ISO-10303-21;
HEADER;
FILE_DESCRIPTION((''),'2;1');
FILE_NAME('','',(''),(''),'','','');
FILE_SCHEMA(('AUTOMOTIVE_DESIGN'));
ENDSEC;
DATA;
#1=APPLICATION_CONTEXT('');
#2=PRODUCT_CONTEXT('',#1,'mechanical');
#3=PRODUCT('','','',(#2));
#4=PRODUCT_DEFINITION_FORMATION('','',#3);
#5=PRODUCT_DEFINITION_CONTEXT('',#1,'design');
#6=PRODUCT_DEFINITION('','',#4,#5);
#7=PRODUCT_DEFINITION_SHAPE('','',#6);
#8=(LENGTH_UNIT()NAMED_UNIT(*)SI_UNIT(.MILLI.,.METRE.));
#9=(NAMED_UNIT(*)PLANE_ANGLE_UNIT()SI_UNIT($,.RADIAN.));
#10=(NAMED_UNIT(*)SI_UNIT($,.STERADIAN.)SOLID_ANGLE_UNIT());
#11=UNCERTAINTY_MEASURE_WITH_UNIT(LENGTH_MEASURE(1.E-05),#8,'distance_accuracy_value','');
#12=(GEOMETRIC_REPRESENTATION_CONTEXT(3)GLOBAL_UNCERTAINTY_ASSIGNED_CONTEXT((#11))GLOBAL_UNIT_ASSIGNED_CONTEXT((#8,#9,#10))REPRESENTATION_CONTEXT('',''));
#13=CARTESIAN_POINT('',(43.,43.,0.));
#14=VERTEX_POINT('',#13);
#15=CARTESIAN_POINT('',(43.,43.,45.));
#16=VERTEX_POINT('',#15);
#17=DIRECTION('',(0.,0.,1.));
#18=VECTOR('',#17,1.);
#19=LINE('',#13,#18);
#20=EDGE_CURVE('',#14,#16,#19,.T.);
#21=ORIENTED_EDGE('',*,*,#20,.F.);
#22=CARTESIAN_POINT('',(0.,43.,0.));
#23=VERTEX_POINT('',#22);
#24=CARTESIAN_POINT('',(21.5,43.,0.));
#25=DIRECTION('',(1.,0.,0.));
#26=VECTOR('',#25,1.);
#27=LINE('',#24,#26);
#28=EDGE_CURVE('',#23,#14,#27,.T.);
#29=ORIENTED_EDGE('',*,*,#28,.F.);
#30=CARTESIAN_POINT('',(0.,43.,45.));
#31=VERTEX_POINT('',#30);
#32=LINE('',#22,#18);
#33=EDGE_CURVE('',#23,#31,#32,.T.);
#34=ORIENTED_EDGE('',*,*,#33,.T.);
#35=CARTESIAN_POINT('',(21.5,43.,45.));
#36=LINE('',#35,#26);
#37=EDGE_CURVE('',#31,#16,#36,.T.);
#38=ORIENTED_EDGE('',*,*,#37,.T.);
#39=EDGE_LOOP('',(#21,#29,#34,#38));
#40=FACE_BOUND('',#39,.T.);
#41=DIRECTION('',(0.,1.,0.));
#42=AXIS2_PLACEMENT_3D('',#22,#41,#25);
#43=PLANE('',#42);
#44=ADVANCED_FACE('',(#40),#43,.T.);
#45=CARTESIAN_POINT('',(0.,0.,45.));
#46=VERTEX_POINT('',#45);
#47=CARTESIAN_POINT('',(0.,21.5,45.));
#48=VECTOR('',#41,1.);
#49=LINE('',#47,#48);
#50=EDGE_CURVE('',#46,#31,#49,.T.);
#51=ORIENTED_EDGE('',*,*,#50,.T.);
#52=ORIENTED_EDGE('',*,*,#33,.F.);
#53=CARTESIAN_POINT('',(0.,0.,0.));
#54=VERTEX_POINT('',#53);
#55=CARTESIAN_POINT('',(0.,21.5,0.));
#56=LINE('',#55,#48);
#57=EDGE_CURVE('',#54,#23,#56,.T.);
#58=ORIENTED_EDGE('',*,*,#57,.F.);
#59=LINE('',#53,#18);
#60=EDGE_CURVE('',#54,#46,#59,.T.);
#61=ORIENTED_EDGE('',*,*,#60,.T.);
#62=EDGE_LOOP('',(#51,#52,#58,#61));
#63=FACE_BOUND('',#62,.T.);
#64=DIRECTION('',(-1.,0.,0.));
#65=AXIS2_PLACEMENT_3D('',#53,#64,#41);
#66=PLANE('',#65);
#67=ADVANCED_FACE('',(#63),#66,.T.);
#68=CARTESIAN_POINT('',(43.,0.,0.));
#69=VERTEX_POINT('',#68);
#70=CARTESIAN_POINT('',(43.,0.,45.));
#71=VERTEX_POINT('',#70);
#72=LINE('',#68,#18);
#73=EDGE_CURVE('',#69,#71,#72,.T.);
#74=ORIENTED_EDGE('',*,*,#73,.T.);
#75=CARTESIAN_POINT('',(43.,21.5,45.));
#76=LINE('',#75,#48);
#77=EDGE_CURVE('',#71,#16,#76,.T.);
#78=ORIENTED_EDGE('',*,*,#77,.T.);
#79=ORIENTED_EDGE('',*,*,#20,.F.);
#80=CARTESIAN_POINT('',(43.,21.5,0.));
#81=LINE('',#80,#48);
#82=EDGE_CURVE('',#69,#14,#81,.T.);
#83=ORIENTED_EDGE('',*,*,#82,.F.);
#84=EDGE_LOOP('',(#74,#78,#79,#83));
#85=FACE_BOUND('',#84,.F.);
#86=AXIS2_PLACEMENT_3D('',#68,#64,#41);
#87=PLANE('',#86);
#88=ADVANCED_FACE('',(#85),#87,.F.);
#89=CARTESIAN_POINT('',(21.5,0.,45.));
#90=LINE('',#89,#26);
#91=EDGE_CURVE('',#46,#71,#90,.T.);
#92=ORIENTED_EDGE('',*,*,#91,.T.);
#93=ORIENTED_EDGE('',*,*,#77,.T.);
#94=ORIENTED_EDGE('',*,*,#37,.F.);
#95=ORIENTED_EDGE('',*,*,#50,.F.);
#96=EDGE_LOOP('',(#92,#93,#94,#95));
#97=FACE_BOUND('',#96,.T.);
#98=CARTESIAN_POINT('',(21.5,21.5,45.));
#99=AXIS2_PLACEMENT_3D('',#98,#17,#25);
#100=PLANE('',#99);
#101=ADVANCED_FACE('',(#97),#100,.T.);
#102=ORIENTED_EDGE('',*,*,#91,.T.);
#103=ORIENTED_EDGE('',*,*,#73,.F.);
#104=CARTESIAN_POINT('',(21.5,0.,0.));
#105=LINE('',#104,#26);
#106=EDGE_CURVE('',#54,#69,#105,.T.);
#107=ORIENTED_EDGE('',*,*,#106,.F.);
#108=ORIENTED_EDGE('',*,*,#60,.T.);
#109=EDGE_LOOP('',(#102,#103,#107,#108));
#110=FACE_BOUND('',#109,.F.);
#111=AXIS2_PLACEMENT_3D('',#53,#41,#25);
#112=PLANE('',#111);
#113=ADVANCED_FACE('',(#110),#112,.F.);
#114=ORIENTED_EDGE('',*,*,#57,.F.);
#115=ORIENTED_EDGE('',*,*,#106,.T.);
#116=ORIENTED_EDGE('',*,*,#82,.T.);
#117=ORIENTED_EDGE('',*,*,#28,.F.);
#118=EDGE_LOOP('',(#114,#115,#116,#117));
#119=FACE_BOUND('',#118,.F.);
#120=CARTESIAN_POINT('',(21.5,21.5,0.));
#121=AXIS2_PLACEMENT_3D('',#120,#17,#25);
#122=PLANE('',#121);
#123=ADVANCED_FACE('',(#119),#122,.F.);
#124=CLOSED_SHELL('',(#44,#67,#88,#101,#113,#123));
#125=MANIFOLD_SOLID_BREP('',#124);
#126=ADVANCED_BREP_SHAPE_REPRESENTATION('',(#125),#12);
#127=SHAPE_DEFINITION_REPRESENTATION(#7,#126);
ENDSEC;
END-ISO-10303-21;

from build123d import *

# Parameters (mm, degrees)
BOX_W     = 43
BOX_H     = 43
BOX_DEPTH = 45


with BuildPart() as part:
    # Box → Box (new body)
    with BuildSketch(Plane.XY):
        with Locations((21.5, 21.5)):
            Rectangle(BOX_W, BOX_H)
    extrude(amount=BOX_DEPTH)


solid = part.part
